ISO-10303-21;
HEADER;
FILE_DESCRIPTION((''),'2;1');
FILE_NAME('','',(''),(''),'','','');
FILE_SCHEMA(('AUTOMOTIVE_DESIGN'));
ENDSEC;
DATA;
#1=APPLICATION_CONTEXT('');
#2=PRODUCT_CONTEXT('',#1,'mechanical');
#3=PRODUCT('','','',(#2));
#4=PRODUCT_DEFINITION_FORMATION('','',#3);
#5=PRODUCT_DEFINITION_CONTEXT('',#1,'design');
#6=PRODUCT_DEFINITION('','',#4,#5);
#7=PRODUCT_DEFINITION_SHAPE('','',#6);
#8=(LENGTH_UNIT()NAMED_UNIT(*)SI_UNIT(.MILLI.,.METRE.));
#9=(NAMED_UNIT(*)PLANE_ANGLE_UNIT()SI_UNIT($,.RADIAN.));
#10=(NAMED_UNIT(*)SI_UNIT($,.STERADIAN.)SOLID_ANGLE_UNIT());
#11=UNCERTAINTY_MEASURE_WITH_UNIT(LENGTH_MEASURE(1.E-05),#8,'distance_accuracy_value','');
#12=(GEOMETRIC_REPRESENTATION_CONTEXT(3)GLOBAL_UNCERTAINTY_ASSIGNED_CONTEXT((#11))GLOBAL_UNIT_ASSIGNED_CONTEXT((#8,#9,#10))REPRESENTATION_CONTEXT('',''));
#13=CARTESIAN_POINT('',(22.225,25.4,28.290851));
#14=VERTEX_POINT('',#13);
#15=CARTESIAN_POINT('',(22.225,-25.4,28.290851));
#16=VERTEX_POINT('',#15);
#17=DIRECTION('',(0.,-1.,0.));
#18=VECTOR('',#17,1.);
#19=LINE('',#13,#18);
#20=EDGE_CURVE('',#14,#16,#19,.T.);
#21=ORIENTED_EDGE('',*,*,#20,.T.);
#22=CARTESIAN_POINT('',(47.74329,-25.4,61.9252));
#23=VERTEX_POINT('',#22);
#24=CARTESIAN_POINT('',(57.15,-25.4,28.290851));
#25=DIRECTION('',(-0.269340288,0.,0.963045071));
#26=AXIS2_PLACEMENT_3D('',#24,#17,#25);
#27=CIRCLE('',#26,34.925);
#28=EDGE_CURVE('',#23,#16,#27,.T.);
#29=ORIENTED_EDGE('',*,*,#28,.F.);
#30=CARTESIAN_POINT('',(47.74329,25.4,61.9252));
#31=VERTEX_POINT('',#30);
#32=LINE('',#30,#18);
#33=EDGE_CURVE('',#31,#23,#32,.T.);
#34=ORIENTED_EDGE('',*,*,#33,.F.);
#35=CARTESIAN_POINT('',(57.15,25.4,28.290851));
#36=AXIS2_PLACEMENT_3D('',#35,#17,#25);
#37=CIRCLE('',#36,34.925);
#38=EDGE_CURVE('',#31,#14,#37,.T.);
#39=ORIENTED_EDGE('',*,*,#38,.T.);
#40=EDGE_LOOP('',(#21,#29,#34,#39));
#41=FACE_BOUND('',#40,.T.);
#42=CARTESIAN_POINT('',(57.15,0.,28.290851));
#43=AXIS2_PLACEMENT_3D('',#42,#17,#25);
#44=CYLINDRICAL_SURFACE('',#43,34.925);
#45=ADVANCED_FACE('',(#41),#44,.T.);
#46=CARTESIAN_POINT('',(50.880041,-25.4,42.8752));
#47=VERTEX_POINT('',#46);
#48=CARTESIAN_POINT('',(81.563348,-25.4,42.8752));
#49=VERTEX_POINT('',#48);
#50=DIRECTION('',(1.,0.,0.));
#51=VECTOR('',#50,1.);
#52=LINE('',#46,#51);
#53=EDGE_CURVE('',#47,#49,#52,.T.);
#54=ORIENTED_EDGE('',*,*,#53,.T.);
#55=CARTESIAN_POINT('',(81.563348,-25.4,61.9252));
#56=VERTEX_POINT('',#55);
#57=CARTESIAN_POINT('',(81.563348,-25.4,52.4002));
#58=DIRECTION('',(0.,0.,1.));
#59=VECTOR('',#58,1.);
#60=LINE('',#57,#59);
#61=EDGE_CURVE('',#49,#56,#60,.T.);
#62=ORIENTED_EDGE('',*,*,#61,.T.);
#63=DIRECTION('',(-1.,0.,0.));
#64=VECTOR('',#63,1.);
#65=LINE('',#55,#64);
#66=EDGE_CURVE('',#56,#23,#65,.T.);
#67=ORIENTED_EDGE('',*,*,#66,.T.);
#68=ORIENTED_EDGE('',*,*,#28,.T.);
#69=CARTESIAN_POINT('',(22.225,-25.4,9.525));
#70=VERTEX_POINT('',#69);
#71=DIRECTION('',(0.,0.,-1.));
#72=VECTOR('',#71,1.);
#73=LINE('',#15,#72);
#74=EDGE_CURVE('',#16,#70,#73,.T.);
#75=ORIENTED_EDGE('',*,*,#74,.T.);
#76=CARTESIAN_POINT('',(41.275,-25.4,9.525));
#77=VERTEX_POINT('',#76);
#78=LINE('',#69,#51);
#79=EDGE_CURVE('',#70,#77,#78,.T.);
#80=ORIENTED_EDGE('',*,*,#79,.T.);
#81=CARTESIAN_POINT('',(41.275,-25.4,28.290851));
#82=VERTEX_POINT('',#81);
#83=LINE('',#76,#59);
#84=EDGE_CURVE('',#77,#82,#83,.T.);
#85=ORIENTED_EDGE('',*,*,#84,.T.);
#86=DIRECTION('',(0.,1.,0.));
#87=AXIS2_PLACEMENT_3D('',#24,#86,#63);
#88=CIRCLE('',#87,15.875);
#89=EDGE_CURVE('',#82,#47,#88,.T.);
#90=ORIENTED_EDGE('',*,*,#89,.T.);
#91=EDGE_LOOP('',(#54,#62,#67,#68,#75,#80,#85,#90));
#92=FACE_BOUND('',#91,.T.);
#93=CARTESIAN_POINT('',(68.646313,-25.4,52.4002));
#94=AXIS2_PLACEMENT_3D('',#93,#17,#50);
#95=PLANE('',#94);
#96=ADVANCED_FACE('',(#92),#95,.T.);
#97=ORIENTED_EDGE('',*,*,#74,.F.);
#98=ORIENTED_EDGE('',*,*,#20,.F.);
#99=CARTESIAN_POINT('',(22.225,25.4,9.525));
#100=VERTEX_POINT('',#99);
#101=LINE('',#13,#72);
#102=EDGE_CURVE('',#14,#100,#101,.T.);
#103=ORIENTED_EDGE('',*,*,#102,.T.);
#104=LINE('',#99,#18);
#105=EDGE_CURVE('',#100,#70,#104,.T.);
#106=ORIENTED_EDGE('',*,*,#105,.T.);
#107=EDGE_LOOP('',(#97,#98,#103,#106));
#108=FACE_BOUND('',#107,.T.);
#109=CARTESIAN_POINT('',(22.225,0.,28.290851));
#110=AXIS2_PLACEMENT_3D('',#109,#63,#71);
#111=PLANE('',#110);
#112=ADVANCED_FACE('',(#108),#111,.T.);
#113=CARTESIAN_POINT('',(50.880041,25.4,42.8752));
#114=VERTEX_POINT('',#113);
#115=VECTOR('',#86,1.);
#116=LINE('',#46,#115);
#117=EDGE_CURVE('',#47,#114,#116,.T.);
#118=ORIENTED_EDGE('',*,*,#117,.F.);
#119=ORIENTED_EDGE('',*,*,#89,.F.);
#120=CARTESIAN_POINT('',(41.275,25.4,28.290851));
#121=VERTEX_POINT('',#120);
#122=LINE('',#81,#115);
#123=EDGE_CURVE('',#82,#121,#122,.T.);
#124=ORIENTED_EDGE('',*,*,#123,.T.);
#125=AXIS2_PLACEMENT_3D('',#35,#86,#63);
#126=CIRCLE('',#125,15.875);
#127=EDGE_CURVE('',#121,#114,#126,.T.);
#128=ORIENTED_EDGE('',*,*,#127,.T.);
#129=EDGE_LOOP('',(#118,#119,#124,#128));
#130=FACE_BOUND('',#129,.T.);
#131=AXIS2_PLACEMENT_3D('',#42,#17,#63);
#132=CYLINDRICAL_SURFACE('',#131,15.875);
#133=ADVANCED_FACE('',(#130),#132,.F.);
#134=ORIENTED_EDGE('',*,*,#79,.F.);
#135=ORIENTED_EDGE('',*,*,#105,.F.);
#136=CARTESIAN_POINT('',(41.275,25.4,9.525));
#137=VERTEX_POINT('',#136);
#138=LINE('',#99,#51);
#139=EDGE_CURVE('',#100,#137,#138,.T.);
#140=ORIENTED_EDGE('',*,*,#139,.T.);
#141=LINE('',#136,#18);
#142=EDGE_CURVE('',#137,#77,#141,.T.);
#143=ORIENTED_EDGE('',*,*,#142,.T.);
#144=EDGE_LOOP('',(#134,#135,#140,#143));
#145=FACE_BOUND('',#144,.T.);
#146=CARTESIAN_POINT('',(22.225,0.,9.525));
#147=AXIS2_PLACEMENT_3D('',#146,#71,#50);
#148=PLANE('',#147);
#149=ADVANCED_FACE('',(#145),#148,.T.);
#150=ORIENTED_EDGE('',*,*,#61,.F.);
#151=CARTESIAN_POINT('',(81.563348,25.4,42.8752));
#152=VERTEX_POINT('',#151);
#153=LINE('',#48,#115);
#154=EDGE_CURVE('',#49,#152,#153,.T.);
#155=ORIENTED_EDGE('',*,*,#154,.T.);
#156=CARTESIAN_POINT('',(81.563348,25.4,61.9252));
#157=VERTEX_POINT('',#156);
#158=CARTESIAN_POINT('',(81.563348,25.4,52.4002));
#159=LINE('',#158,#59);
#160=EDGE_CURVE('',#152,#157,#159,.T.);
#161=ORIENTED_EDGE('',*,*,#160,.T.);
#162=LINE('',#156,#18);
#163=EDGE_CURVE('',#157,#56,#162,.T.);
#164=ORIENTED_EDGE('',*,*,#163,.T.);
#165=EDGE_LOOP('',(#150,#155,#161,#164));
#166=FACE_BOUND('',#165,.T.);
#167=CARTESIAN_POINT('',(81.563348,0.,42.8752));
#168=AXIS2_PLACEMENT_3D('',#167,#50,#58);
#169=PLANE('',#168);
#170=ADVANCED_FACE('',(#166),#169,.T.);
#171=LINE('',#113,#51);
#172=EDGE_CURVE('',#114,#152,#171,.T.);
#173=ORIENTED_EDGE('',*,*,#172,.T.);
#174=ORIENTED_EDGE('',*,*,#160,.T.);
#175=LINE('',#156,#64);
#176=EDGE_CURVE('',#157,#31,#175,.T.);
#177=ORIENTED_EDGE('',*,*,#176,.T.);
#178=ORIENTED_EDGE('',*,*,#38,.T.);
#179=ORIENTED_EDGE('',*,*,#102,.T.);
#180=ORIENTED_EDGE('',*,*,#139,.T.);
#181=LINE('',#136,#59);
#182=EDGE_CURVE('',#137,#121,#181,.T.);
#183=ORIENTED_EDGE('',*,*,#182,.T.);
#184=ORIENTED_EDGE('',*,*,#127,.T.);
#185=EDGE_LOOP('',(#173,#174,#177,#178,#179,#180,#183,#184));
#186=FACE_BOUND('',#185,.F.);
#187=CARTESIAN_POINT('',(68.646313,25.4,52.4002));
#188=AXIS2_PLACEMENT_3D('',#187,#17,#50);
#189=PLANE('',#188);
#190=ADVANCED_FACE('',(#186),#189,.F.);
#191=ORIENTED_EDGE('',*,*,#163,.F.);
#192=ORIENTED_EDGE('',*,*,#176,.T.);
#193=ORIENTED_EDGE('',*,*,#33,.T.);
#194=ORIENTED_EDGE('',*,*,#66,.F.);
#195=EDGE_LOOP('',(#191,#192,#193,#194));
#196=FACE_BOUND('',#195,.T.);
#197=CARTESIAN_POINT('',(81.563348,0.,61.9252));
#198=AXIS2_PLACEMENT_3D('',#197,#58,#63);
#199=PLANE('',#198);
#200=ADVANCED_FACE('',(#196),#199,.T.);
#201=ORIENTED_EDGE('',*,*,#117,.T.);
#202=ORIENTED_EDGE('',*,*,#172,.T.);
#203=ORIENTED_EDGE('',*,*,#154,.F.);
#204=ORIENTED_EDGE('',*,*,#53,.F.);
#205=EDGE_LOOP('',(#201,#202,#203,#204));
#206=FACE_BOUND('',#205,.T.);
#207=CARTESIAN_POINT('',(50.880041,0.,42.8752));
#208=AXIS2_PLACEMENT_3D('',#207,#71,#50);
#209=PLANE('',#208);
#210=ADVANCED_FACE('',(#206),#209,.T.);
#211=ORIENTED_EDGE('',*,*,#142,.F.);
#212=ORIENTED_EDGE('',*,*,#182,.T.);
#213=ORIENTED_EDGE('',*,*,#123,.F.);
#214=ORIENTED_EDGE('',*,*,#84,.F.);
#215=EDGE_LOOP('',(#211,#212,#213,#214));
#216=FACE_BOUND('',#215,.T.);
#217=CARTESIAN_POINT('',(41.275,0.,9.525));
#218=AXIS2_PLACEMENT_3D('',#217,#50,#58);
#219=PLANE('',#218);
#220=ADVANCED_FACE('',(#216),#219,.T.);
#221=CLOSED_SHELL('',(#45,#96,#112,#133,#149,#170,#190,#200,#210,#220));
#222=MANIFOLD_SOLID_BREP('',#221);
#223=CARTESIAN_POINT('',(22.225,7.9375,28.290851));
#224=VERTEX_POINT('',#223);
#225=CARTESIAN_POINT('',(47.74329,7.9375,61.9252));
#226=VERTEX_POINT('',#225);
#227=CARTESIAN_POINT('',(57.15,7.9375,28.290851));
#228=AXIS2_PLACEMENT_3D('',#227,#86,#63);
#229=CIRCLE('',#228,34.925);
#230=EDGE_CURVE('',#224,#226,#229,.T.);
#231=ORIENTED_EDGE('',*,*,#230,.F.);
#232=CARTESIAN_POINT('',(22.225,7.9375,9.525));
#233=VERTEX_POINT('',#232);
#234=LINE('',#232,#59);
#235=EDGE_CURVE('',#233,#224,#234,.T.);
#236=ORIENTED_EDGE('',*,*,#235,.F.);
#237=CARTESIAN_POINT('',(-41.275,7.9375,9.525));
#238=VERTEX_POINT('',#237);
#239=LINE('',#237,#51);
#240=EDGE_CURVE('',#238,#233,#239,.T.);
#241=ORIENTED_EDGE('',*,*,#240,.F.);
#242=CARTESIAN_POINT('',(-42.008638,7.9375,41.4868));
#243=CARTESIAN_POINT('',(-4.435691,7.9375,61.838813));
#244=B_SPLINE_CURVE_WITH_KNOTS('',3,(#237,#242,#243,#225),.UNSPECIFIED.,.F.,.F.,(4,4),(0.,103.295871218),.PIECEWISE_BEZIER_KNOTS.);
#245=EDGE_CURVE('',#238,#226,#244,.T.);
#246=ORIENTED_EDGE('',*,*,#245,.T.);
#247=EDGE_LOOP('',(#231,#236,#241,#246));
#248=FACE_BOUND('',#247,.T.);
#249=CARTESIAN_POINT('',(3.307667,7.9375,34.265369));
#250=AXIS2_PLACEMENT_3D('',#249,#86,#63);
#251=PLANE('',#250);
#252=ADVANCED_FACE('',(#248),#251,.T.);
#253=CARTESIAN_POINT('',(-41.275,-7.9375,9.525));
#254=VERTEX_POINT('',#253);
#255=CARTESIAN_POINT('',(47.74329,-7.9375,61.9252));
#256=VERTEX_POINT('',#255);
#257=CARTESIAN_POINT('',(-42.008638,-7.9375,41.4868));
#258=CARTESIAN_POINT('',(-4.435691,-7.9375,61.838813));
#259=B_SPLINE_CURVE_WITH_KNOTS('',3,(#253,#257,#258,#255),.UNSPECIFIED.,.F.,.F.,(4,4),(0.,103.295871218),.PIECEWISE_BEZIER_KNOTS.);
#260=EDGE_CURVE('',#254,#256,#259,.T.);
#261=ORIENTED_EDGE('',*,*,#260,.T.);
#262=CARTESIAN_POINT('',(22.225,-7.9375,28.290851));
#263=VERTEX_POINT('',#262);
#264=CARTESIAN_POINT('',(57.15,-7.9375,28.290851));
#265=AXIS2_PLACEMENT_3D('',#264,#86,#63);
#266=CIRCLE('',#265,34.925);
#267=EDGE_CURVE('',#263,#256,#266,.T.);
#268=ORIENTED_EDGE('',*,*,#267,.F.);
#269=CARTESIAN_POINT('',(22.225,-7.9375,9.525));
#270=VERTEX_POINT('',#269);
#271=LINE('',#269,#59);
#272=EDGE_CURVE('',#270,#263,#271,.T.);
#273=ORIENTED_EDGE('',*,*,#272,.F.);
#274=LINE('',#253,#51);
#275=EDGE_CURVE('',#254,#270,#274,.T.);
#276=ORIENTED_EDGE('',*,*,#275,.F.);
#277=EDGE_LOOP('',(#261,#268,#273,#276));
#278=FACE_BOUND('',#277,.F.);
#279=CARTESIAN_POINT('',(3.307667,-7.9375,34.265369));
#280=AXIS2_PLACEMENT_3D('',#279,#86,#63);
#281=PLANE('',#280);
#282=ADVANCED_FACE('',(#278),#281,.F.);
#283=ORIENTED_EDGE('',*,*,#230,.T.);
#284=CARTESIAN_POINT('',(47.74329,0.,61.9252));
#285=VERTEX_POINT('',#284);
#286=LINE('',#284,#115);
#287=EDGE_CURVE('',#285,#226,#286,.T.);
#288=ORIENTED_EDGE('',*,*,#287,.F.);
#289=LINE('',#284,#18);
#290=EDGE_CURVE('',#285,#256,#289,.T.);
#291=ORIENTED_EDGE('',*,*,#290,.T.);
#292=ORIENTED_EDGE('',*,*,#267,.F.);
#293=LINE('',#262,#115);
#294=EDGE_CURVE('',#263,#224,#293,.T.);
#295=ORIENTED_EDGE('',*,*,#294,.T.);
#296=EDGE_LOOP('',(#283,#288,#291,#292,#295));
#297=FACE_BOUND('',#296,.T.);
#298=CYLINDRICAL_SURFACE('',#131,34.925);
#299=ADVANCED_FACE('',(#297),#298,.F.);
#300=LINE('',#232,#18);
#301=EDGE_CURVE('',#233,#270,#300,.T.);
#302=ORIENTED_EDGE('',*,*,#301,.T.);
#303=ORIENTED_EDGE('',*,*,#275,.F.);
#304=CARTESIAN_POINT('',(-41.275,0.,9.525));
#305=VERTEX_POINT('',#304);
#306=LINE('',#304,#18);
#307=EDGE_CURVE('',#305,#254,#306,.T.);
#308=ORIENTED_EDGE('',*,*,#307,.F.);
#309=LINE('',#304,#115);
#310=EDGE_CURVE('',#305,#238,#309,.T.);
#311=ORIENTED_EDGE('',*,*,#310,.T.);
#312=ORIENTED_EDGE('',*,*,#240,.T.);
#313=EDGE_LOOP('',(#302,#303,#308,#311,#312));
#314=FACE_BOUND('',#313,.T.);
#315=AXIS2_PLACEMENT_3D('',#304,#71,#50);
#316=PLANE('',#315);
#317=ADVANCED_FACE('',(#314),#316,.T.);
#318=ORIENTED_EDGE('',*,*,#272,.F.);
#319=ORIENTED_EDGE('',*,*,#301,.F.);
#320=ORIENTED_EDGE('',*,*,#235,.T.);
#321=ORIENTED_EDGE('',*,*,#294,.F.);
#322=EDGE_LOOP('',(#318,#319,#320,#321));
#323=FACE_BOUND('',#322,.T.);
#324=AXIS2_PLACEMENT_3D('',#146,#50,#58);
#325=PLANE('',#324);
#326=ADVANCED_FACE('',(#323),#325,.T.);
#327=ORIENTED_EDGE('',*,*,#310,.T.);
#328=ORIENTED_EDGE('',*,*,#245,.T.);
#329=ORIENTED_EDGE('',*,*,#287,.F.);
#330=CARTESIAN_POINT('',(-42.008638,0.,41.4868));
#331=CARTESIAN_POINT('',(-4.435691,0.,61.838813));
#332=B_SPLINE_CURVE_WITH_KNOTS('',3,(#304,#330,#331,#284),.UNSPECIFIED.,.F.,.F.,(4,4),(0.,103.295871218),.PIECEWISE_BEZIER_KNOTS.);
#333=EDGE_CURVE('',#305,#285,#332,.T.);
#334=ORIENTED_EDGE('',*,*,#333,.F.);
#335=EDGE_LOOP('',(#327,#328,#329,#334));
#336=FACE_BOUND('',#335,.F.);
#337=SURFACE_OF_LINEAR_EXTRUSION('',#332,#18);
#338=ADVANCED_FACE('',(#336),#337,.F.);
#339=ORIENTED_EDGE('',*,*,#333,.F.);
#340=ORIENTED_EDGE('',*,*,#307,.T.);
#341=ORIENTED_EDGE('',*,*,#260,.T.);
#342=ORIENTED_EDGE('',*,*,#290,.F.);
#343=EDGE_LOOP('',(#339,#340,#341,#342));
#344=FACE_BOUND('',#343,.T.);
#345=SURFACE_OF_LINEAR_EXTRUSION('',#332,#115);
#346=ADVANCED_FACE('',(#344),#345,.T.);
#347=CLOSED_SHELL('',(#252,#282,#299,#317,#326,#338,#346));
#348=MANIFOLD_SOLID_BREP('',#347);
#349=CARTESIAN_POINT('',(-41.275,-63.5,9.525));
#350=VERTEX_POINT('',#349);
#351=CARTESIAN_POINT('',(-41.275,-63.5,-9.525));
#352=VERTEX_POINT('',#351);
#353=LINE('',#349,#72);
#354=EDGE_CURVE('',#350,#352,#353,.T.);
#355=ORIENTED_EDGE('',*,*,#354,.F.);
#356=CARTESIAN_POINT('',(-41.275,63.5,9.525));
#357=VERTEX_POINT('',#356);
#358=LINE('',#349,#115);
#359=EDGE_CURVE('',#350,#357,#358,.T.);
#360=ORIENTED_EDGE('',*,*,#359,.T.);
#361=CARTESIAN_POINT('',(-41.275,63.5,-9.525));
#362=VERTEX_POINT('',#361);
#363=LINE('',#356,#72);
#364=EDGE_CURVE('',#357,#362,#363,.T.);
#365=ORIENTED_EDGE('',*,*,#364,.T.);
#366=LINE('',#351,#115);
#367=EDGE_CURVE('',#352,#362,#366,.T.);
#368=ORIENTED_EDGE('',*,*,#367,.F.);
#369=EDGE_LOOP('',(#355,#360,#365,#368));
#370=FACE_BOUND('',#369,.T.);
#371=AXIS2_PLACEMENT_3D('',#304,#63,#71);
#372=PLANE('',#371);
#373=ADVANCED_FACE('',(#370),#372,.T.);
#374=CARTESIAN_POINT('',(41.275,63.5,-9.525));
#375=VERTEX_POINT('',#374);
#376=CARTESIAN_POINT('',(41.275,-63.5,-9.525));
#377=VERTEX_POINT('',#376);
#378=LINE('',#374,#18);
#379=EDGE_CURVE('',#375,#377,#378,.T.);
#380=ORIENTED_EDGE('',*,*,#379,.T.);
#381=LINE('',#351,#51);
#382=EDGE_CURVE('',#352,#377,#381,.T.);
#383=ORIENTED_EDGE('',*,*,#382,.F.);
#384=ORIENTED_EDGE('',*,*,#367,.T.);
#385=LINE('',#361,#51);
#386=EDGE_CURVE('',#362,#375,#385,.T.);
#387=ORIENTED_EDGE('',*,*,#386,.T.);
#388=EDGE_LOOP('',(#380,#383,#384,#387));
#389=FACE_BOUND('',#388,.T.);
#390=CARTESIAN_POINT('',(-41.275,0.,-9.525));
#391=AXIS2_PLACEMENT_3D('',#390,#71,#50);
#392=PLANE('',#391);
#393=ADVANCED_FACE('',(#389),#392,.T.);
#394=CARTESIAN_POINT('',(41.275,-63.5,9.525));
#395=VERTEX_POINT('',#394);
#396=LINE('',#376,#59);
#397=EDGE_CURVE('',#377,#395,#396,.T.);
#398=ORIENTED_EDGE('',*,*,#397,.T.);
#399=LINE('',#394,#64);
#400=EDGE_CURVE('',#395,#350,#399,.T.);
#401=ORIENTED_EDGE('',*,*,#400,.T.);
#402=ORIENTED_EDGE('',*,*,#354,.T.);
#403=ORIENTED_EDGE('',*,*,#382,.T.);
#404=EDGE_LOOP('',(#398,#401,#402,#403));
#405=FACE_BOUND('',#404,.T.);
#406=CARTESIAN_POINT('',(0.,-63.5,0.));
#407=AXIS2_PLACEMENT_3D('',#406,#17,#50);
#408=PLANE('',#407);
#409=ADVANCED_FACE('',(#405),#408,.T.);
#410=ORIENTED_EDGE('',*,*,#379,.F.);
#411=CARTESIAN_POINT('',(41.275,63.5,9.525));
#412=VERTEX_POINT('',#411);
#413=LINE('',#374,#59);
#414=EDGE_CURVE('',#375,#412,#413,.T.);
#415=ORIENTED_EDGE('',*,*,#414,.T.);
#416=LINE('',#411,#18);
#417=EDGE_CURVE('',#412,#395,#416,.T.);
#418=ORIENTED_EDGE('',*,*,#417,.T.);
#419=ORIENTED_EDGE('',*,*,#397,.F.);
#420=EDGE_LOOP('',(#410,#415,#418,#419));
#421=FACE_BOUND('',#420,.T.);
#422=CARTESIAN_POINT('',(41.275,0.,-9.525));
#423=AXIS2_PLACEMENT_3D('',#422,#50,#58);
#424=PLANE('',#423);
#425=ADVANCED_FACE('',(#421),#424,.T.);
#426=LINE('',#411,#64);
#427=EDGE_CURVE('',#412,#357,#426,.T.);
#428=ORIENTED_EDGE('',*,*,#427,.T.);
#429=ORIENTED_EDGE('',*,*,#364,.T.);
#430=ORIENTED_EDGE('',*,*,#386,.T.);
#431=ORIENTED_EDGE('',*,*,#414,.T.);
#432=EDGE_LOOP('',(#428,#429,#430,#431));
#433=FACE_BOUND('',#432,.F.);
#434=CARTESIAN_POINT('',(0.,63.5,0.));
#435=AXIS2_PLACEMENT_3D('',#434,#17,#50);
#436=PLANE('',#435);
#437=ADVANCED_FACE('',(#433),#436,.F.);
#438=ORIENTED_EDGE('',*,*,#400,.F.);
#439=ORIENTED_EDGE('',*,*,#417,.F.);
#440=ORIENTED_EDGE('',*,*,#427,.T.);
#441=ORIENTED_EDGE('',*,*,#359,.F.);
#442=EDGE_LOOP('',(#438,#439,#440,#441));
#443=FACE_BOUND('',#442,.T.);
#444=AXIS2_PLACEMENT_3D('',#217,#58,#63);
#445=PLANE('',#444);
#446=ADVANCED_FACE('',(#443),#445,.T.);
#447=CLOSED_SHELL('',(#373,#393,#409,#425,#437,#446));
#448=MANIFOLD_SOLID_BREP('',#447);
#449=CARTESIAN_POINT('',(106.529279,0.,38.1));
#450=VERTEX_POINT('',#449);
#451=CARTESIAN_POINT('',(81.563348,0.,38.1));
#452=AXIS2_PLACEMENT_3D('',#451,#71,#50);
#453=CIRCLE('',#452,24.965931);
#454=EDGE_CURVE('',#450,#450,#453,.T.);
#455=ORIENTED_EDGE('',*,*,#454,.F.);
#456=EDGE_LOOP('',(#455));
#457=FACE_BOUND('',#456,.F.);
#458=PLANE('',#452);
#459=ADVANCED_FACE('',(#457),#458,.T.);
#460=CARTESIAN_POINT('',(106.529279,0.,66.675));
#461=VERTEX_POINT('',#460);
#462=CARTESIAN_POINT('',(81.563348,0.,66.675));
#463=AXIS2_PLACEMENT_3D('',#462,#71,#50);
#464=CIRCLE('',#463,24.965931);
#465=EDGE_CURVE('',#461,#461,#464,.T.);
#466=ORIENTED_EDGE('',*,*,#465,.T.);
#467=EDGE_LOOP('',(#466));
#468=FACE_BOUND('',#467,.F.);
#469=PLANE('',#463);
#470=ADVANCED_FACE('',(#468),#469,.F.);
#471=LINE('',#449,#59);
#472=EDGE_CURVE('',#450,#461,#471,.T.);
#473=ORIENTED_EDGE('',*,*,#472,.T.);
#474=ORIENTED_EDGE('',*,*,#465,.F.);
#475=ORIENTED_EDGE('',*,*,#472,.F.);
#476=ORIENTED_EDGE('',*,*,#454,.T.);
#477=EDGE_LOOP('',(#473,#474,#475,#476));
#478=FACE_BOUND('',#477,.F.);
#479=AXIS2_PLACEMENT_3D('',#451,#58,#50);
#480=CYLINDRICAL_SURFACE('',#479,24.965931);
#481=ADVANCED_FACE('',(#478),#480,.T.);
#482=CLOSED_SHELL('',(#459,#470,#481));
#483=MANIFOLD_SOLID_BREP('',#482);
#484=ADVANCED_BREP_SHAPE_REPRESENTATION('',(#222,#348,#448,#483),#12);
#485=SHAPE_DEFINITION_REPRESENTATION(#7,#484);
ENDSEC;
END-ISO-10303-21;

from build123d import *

# Parameters (mm, degrees)
F1_DEPTH = 63.5
F0_W     = 25.8340687361
F0_H     = 19.0500002888
F2_DEPTH = 25.4
F3_DEPTH = 7.9375


with BuildPart() as f1:
    # F0 (on Front) → F1 (new body, symmetric)
    with BuildSketch(Plane.XZ):
        Polygon((-41.275, -9.525), (41.275, -9.525), (41.275, 9.525), (22.2249997112, 9.525), (-41.275, 9.525), align=None)
    extrude(amount=F1_DEPTH, both=True)


with BuildPart() as f2:
    # F0 (on Front) → F2 (new body, symmetric)
    with BuildSketch(Plane.XZ):
        with Locations((68.6463132568, 52.4002001444)):
            Rectangle(F0_W, F0_H)
        with BuildLine():
            Line((22.2249997112, 9.525), (41.275, 9.525))
            Line((41.275, 9.525), (41.275, 28.2908508954))
            ThreePointArc((41.275, 28.2908508954), (43.8919604664, 37.0224036053), (50.8800409734, 42.8752))
            Line((50.8800409734, 42.8752), (55.7292788887, 42.8752))
            Line((55.7292788887, 42.8752), (55.7292788887, 61.9252002888))
            Line((55.7292788887, 61.9252002888), (47.7432903704, 61.9252002888))
            ThreePointArc((47.7432903704, 61.9252002888), (29.3265837675, 49.4004021535), (22.2249997112, 28.2908508954))
            Line((22.2249997112, 28.2908508954), (22.2249997112, 9.525))
        make_face()
    extrude(amount=F2_DEPTH, both=True)


with BuildPart() as f3:
    # F0 (on Front) → F3 (new body, symmetric)
    with BuildSketch(Plane.XZ):
        with BuildLine():
            add(Edge.make_bspline(
                [(-41.275, 9.525), (-42.008638382, 41.4867997169), (-4.4356905855, 61.8388131261), (47.7432903704, 61.9252002888)],
                knots=[0, 0, 0, 0, 103.2958712185, 103.2958712185, 103.2958712185, 103.2958712185], degree=3))
            Line((-41.275, 9.525), (22.2249997112, 9.525))
            Line((22.2249997112, 9.525), (22.2249997112, 28.2908508954))
            ThreePointArc((22.2249997112, 28.2908508954), (29.3265837675, 49.4004021535), (47.7432903704, 61.9252002888))
        make_face()
    extrude(amount=F3_DEPTH, both=True)


with BuildPart() as f4:
    # F0 (on Front) → F4 (revolve)
    with BuildSketch(Plane.XZ):
        Polygon((81.5633476248, 66.675), (81.5633476248, 61.9252002888), (81.5633476248, 42.8752), (81.5633476248, 38.1), (106.5292788887, 38.1), (106.5292788887, 66.675), align=None)
    revolve(axis=Axis((81.5633476248, 0, 52.3875), (0, 0, -1)))


solid = Compound([f1.part, f2.part, f3.part, f4.part])
